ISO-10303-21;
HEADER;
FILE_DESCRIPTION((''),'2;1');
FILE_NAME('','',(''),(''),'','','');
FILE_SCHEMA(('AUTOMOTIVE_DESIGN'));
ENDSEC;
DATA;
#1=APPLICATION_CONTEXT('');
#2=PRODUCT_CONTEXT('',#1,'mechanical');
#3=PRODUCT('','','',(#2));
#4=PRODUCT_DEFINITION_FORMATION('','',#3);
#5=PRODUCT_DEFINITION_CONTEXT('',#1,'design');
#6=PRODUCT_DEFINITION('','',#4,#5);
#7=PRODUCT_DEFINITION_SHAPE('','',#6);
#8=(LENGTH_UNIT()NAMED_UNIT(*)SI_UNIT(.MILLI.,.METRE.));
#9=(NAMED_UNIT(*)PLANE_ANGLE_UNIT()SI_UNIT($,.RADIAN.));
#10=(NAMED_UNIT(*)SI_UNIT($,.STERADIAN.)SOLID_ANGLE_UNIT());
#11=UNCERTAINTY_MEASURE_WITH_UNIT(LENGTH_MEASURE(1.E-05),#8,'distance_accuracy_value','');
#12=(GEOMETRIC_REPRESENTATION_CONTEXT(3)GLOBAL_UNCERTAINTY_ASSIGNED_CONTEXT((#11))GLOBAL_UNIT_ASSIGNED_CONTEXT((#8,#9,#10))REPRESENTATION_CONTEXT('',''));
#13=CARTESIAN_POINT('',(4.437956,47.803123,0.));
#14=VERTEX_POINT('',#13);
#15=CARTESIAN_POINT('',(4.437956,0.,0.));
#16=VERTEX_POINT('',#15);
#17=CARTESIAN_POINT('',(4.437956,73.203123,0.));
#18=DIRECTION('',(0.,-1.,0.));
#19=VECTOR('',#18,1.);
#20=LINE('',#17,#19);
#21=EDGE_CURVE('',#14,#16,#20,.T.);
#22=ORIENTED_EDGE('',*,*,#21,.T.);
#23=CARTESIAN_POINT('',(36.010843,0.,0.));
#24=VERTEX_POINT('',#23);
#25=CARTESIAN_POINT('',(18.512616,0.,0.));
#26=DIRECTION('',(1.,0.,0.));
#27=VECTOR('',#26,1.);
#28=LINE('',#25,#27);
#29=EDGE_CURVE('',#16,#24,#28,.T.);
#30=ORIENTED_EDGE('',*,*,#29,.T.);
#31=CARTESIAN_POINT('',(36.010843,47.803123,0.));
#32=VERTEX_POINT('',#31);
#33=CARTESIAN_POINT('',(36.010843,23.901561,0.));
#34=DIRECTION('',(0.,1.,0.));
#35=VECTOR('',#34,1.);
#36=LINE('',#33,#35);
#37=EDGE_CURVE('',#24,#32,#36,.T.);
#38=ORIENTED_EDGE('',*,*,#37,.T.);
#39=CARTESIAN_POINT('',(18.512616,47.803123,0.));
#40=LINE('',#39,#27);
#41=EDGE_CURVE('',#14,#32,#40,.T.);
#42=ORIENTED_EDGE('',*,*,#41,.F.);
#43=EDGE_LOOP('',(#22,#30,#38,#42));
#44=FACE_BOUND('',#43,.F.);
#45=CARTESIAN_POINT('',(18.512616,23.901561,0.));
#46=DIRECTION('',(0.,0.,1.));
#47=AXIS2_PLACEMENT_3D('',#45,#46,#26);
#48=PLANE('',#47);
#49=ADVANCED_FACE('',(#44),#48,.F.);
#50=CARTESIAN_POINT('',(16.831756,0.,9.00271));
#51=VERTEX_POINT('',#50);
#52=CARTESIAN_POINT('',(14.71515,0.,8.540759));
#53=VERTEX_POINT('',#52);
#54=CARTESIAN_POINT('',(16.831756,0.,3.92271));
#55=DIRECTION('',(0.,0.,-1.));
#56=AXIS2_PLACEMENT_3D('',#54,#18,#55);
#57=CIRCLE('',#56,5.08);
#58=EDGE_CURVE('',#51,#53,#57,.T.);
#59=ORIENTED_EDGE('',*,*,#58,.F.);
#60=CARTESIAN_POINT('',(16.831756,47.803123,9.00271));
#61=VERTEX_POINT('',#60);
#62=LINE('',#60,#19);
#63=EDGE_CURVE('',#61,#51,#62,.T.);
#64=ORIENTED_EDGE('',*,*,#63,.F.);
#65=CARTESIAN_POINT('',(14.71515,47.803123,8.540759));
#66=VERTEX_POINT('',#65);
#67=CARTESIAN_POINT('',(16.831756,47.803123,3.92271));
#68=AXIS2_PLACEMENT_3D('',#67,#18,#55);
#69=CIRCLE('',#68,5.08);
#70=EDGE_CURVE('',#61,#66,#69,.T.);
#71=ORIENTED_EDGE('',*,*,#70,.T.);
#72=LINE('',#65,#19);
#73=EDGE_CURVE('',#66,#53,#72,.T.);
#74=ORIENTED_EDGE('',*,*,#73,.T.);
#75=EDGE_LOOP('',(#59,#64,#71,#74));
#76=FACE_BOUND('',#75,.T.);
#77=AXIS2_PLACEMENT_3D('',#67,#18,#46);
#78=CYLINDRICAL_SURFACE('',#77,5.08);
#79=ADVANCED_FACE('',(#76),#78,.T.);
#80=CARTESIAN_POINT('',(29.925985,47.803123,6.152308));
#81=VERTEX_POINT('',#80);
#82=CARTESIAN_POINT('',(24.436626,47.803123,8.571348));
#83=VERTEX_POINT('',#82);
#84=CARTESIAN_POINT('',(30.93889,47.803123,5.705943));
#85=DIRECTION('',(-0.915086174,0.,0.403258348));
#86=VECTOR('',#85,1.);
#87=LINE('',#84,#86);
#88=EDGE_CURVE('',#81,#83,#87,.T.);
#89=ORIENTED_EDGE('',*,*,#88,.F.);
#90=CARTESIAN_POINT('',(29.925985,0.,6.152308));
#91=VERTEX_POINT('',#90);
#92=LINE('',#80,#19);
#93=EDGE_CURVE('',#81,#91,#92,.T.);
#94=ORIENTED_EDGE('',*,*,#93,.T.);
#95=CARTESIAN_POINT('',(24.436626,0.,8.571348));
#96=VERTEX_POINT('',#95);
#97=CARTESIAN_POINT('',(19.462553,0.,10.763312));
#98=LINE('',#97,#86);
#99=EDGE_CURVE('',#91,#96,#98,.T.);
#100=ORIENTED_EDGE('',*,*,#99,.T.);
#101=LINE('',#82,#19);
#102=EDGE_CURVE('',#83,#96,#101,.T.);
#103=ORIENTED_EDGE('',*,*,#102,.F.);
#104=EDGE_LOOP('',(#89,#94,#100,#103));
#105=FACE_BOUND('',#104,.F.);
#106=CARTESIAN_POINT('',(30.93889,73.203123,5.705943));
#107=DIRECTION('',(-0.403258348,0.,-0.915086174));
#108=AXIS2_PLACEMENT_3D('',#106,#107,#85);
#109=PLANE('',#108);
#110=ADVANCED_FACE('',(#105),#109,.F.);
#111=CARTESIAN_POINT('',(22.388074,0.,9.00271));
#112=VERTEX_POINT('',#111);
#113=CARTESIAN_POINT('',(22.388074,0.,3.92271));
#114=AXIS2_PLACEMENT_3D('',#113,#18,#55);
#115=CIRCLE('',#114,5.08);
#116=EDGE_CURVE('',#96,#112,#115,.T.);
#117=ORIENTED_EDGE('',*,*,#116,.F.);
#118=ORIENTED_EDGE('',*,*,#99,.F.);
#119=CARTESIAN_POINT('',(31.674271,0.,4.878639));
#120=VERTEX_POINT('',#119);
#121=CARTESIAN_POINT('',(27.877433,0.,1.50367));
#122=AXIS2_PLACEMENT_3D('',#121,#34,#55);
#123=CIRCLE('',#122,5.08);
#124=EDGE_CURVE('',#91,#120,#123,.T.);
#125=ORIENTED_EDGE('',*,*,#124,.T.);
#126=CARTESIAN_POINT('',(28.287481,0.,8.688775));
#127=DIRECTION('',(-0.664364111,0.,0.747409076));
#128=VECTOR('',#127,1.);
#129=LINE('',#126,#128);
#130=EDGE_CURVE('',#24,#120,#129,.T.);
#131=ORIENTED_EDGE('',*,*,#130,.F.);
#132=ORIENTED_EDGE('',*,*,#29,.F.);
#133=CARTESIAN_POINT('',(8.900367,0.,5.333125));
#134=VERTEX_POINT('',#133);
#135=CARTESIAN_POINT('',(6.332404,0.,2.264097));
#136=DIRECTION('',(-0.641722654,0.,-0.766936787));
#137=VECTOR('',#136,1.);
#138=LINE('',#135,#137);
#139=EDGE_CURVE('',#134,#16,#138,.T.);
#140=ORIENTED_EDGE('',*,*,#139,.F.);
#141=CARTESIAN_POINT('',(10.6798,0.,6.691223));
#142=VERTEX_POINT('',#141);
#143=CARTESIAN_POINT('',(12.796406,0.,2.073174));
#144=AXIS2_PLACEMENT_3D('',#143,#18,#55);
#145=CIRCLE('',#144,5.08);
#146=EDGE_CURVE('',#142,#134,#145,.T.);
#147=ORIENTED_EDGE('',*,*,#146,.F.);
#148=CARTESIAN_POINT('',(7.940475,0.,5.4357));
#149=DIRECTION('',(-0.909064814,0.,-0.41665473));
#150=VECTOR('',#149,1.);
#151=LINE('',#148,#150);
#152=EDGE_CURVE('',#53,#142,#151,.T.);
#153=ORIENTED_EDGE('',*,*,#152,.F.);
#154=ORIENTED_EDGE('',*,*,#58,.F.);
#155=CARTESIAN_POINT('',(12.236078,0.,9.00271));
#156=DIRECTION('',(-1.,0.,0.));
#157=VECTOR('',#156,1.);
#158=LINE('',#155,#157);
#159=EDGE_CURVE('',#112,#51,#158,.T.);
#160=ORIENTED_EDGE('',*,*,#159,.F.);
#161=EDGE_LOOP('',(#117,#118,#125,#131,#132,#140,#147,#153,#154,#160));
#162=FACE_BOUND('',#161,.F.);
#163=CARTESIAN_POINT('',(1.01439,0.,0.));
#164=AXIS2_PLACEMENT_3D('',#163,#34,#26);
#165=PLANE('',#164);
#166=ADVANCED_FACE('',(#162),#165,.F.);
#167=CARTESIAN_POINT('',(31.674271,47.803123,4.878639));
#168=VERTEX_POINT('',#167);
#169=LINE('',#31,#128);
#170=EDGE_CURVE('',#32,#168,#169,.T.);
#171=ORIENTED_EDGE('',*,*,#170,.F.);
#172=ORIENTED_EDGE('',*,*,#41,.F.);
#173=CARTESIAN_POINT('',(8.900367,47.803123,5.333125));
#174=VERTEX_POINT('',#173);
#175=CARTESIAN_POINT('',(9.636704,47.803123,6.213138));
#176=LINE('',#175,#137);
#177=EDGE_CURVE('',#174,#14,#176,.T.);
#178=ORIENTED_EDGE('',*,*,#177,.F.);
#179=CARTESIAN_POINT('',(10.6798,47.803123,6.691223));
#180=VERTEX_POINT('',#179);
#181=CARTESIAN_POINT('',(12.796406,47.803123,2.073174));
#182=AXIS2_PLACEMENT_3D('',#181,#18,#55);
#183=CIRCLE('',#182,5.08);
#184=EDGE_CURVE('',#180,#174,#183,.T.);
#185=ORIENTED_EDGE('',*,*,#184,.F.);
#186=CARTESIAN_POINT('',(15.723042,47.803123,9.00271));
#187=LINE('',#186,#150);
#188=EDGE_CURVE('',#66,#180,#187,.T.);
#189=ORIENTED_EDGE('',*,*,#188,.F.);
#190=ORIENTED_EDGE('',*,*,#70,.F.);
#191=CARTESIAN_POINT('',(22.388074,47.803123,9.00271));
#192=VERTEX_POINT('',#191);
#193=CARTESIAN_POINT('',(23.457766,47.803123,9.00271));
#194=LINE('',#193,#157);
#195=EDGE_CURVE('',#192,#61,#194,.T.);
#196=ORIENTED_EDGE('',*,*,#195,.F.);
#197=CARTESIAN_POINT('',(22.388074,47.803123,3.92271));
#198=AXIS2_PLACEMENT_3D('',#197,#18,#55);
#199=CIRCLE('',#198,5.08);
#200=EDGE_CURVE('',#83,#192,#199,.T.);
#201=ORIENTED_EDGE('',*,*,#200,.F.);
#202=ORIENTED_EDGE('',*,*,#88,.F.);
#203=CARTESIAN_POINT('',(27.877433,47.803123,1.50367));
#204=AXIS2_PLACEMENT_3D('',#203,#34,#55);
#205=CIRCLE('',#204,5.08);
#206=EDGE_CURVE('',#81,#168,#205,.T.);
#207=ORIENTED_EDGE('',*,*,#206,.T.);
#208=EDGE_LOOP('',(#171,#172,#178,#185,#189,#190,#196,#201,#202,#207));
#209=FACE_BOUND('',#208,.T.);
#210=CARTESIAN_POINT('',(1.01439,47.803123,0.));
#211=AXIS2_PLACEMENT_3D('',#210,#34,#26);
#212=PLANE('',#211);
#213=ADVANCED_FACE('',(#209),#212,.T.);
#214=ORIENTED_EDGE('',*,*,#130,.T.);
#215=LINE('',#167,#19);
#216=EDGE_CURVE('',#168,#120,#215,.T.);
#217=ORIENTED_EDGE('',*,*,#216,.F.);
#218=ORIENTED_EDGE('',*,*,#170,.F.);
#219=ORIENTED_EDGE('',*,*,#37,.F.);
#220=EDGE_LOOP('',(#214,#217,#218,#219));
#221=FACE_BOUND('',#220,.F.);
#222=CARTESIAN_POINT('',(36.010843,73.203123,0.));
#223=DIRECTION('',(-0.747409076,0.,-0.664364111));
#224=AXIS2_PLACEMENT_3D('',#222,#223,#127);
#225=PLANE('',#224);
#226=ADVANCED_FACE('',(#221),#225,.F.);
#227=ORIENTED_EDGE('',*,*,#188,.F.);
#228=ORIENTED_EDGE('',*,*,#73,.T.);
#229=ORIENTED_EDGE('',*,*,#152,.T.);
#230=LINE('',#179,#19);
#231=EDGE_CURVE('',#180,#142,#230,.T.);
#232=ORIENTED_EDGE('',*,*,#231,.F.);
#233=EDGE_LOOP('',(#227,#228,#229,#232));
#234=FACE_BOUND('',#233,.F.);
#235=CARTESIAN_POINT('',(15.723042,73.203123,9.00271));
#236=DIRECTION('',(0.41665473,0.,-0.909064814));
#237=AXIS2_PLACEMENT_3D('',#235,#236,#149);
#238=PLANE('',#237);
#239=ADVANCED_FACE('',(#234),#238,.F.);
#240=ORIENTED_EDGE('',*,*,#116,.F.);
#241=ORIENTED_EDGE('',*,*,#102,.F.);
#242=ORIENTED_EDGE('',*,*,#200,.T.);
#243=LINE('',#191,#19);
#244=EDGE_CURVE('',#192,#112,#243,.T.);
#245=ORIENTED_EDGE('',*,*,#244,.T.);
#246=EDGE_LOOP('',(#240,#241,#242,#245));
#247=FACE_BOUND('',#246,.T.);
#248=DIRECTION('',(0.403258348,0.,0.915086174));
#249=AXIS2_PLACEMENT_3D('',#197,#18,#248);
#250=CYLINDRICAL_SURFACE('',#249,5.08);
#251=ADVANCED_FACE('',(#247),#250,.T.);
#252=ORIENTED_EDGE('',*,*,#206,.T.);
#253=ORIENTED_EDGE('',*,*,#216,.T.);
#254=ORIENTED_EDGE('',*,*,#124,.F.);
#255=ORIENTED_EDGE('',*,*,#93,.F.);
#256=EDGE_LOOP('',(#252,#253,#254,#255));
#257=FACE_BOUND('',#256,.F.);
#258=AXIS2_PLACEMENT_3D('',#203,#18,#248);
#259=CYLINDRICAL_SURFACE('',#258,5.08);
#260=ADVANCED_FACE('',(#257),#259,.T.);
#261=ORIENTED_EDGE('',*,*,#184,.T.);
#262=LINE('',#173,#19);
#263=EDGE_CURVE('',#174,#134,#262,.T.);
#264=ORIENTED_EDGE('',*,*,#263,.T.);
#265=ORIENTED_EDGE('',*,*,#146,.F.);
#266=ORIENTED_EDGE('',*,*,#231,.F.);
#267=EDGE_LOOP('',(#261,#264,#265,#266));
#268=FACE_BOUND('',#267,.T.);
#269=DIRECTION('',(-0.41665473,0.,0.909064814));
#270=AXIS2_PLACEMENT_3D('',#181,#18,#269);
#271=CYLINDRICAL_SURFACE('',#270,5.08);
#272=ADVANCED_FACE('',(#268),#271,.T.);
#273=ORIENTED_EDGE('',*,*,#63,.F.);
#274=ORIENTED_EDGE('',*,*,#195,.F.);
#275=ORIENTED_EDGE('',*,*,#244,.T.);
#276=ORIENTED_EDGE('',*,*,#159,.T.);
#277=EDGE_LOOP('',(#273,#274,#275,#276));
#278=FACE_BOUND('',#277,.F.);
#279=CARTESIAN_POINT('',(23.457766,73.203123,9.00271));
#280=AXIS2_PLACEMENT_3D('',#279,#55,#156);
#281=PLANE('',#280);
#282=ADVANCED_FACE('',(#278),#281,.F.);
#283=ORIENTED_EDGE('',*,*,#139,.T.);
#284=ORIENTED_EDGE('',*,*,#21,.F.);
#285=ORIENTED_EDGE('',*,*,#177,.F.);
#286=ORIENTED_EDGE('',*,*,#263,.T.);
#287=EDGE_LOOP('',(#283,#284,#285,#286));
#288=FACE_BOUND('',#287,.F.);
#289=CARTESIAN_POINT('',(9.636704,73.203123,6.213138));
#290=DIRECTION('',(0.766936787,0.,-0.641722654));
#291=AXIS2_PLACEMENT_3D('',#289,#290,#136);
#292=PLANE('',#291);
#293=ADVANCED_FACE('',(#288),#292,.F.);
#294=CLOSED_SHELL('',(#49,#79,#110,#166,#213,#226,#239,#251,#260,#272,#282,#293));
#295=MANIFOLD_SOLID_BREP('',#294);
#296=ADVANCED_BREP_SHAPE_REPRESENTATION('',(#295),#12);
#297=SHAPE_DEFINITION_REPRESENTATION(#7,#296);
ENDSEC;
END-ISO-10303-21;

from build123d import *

# Parameters (mm, degrees)
F0_W     = 34.9964526249
F0_H     = 47.8031225502
F1_DEPTH = 24.638
F3_DEPTH = 25.4
F4_DEPTH = 89.408
F5_R     = 5.08
F6_R     = 5.08


with BuildPart() as f1:
    # F0 (on Top) → F1 (new body)
    with BuildSketch(Plane.XY):
        with Locations((18.5126164579, 23.9015612751)):
            Rectangle(F0_W, F0_H)
    extrude(amount=F1_DEPTH)

    # F2 (on face) → F3 (join)
    with BuildSketch(Plane(origin=(0, 47.8031225502, 0), x_dir=(-1, 0, 0), z_dir=(0, 1, 0))):
        Polygon((-36.0108427703, 24.638), (-36.0108427703, 0), (-30.9388898313, 5.7059428655), (-23.4577655792, 9.0027097613), (-15.7230421901, 9.0027097613), (-9.6367038786, 6.21313788), (-4.437955562, 0), (-1.0143901454, 0), (-1.0143901454, 24.638), align=None)
    extrude(amount=F3_DEPTH)

    # F4 (cut): a face of the model
    f4_faces = [f1.faces().sort_by_distance(p)[0] for p in [
        (18.0448789955, 73.2031225502, 14.9299983871),
    ]]
    extrude(f4_faces, amount=-F4_DEPTH, mode=Mode.SUBTRACT)

    # F5
    f5_edges = [f1.edges().sort_by_distance(p)[0] for p in [
        (23.457766, 23.901561, 9.00271),
    ]]
    fillet(f5_edges, radius=F5_R)

    # F6
    f6_edges = [f1.edges().sort_by_distance(p)[0] for p in [
        (15.723042, 23.901561, 9.00271),
        (9.636704, 23.901561, 6.213138),
        (30.93889, 23.901561, 5.705943),
    ]]
    fillet(f6_edges, radius=F6_R)


solid = f1.part
